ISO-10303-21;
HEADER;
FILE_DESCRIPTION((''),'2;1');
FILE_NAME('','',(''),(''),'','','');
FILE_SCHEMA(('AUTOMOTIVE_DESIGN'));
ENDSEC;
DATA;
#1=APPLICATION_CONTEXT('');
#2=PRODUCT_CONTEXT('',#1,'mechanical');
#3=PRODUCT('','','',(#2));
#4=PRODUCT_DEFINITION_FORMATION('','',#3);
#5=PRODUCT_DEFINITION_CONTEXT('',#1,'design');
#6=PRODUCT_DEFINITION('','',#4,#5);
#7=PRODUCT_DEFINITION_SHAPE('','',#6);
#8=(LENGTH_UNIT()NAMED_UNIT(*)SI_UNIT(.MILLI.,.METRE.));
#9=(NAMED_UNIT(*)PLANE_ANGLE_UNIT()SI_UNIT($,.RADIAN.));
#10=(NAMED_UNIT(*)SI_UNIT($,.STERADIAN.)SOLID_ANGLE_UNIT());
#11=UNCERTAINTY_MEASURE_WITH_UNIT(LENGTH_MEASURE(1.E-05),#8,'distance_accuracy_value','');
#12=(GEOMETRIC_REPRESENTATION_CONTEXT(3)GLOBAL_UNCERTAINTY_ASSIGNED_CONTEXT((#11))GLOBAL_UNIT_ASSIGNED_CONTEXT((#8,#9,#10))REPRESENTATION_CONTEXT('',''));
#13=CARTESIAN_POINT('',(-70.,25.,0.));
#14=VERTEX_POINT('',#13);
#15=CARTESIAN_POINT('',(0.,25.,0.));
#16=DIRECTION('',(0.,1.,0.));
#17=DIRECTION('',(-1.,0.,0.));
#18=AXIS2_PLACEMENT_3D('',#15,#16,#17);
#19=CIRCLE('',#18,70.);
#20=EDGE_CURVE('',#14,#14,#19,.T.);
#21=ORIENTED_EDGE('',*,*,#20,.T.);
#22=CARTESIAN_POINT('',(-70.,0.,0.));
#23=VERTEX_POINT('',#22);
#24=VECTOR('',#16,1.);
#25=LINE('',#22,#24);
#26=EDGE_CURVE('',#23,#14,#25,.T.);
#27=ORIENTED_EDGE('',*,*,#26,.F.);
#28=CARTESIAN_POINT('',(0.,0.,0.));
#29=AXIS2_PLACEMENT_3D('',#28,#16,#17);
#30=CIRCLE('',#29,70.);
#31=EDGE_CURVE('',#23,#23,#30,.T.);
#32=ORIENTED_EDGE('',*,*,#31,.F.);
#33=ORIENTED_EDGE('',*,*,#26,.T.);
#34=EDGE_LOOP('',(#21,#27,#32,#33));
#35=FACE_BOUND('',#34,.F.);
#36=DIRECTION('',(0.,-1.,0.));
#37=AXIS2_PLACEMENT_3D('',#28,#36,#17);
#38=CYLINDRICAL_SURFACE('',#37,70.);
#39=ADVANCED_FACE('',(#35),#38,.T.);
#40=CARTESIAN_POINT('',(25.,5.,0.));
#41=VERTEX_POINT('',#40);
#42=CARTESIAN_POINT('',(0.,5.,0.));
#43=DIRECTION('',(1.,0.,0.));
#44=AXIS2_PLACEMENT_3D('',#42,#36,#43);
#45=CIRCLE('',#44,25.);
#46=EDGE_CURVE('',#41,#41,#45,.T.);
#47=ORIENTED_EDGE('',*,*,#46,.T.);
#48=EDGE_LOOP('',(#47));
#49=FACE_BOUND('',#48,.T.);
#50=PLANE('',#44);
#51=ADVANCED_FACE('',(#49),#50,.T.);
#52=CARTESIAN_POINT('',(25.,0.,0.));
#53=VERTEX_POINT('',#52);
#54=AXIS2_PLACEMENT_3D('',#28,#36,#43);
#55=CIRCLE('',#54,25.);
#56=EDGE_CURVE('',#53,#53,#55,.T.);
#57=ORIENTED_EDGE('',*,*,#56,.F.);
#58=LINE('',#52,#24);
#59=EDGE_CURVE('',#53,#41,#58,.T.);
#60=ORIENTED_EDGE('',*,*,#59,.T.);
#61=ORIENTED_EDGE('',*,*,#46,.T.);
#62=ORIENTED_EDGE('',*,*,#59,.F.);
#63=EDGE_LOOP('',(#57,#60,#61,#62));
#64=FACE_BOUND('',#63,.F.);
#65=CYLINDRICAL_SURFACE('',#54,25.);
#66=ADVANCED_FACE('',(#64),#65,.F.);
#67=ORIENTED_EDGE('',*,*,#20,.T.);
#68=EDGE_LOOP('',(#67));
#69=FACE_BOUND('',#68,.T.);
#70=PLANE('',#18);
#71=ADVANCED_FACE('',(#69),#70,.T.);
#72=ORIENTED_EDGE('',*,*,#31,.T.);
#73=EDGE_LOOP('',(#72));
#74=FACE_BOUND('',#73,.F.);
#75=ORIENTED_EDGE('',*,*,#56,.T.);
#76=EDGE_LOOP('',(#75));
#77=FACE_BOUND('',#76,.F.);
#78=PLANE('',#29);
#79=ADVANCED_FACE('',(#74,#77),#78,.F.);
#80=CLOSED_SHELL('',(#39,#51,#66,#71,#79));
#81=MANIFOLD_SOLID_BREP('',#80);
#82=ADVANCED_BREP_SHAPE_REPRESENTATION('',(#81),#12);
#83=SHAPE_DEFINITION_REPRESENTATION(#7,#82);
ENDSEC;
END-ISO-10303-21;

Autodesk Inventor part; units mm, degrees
ref_plane "YZ Plane" through (0, 0, 0) normal (1, 0, 0) x (0, 1, 0)
ref_plane "XZ Plane" through (0, 0, 0) normal (0, 1, 0) x (-1, 0, 0)
ref_plane "XY Plane" through (0, 0, 0) normal (0, 0, 1) x (1, 0, 0)
sketch "スケッチ1" plane through (0, 0, 0) normal (0, 1, 0) x (-1, 0, 0)
  circle A0 centre (0, 0) radius 70
  dimension "d0" = 140
extrude "押し出し1" add sketch "スケッチ1" along normal blind 25
sketch "スケッチ2" plane through (0, 0, 0) normal (0, -1, 0) x (1, 0, 0)
  circle A0 centre (0, 0) radius 25
  dimension "d3" = 50
extrude "押し出し2" cut sketch "スケッチ2" against normal blind 5
sketch "スケッチ3" plane through (0, 25, 0) normal (0, 1, 0) x (1, 0, 0)
  point P0 (0, 0)
properties part number "使用タイヤ　スポンジ部分" material "ポリスチレン、発泡"
